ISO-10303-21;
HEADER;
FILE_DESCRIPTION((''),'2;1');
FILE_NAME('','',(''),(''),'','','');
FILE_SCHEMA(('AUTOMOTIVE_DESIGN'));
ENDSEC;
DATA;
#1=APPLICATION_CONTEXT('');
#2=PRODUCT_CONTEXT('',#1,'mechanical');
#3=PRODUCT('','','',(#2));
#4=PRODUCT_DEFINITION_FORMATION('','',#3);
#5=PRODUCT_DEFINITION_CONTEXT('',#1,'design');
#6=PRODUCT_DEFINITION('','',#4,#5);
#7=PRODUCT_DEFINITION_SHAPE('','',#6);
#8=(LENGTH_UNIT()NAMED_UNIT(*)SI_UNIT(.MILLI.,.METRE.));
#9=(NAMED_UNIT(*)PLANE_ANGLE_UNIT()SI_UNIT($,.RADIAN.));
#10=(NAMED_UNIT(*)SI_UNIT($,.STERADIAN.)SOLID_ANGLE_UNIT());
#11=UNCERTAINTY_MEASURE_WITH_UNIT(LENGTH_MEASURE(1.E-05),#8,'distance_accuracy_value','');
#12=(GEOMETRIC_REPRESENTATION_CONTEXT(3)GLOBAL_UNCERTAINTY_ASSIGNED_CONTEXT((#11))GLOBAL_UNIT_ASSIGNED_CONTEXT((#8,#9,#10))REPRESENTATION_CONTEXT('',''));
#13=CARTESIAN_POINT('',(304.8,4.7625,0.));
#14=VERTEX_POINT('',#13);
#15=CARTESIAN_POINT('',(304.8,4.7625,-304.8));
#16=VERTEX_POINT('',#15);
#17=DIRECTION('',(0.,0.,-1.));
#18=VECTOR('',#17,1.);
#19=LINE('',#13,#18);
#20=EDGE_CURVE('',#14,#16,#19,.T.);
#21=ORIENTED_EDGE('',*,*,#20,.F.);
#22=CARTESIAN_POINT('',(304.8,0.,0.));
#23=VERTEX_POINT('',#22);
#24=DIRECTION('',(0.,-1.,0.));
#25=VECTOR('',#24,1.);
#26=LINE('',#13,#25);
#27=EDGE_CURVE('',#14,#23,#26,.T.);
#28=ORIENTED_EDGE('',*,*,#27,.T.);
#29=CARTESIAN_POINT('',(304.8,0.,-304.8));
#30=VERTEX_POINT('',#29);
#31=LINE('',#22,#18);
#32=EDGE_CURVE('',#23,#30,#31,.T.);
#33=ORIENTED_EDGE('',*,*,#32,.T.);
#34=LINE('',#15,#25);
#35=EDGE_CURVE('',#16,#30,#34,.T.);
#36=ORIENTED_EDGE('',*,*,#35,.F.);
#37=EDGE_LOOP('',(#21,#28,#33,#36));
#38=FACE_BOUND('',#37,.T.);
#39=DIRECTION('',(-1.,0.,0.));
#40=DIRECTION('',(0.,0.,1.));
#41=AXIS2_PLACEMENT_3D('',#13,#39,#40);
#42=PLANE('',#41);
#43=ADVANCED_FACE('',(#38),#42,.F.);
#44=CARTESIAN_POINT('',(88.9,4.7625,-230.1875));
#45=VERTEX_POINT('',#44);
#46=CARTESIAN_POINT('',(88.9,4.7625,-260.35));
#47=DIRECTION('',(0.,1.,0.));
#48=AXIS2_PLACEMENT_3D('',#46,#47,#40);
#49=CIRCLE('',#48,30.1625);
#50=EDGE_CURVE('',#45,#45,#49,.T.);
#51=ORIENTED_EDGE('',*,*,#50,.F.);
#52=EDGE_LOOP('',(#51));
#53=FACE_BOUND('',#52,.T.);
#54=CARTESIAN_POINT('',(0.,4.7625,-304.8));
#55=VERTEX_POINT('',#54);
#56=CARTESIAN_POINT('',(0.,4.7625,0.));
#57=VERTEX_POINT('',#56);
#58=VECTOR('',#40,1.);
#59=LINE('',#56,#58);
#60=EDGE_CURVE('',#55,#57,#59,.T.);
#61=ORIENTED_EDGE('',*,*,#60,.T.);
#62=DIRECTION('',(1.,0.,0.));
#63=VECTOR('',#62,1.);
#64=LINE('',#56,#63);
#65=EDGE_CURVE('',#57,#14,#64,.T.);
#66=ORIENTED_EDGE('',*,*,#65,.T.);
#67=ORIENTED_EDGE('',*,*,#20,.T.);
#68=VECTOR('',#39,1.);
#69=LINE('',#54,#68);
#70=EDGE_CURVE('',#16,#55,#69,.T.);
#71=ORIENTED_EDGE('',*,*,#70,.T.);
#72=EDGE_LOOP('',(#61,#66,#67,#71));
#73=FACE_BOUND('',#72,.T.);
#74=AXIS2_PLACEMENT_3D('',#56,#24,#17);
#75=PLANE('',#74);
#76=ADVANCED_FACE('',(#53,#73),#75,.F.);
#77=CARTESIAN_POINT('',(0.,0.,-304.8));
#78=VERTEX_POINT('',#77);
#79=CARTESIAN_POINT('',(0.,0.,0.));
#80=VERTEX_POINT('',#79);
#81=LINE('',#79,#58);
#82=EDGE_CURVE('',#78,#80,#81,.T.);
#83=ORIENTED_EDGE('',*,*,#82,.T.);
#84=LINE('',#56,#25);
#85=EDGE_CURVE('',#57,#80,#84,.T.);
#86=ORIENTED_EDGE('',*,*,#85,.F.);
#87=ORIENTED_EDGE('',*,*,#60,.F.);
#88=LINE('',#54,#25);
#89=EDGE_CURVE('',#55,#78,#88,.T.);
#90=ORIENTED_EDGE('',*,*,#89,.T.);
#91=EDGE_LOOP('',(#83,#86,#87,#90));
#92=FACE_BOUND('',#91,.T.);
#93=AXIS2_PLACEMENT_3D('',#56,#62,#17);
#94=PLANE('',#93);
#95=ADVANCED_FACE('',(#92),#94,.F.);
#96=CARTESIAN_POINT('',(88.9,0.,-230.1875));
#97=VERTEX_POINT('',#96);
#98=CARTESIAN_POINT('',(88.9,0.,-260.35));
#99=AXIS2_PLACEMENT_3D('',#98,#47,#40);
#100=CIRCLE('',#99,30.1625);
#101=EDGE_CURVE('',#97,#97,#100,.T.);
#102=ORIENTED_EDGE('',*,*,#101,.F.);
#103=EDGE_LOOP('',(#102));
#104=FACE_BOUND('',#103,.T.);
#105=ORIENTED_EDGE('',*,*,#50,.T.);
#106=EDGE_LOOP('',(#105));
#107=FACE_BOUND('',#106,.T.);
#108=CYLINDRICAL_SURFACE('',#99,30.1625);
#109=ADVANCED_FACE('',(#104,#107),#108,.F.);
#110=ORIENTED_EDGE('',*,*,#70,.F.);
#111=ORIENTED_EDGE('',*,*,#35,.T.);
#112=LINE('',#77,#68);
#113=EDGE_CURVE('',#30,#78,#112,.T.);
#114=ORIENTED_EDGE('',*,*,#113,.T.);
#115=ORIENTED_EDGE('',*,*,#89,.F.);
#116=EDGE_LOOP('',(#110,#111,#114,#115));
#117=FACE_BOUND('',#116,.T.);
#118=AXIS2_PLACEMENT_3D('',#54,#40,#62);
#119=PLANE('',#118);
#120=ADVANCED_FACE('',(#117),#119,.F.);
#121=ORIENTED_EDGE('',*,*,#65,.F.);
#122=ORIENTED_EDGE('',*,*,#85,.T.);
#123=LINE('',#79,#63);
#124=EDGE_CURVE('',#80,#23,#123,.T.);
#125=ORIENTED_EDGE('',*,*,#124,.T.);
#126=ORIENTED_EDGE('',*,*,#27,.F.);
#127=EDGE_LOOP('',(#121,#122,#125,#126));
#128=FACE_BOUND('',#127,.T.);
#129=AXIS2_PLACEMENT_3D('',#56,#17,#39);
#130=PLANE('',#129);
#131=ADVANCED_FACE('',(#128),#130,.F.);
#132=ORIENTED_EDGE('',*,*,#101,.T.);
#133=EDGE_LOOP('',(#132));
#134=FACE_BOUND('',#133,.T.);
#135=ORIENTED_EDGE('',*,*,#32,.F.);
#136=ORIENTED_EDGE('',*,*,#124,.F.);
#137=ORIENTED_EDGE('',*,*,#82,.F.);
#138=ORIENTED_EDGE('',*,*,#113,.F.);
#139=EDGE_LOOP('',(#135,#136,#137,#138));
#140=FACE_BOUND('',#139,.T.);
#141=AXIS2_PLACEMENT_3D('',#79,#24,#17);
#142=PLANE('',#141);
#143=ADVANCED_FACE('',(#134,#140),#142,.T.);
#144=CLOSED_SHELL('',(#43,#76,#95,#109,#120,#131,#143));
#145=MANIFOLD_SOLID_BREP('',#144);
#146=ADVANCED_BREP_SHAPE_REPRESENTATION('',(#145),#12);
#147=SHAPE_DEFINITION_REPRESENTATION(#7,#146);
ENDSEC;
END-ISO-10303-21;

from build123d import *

# Parameters (mm, degrees)
SKETCH1_W           = 304.8
SKETCH1_H           = 304.8
BOSS_EXTRUDE1_DEPTH = 4.7625
SKETCH2_R           = 30.1625
CUT_EXTRUDE1_DEPTH  = 5.7625


with BuildPart() as part:
    # Sketch1 → Boss-Extrude1 (new body)
    with BuildSketch(Plane(origin=(0, 0, 0), x_dir=(1, 0, 0), z_dir=(0, 1, 0))):
        with Locations((152.4, 152.4)):
            Rectangle(SKETCH1_W, SKETCH1_H)
    extrude(amount=BOSS_EXTRUDE1_DEPTH)

    # Sketch2 → Cut-Extrude1 (cut, through all)
    with BuildSketch(Plane(origin=(0, 4.7625, 0), x_dir=(1, 0, 0), z_dir=(0, 1, 0))):
        with Locations((88.9, 260.35)):
            Circle(SKETCH2_R)
    extrude(amount=-CUT_EXTRUDE1_DEPTH, mode=Mode.SUBTRACT)


solid = part.part
